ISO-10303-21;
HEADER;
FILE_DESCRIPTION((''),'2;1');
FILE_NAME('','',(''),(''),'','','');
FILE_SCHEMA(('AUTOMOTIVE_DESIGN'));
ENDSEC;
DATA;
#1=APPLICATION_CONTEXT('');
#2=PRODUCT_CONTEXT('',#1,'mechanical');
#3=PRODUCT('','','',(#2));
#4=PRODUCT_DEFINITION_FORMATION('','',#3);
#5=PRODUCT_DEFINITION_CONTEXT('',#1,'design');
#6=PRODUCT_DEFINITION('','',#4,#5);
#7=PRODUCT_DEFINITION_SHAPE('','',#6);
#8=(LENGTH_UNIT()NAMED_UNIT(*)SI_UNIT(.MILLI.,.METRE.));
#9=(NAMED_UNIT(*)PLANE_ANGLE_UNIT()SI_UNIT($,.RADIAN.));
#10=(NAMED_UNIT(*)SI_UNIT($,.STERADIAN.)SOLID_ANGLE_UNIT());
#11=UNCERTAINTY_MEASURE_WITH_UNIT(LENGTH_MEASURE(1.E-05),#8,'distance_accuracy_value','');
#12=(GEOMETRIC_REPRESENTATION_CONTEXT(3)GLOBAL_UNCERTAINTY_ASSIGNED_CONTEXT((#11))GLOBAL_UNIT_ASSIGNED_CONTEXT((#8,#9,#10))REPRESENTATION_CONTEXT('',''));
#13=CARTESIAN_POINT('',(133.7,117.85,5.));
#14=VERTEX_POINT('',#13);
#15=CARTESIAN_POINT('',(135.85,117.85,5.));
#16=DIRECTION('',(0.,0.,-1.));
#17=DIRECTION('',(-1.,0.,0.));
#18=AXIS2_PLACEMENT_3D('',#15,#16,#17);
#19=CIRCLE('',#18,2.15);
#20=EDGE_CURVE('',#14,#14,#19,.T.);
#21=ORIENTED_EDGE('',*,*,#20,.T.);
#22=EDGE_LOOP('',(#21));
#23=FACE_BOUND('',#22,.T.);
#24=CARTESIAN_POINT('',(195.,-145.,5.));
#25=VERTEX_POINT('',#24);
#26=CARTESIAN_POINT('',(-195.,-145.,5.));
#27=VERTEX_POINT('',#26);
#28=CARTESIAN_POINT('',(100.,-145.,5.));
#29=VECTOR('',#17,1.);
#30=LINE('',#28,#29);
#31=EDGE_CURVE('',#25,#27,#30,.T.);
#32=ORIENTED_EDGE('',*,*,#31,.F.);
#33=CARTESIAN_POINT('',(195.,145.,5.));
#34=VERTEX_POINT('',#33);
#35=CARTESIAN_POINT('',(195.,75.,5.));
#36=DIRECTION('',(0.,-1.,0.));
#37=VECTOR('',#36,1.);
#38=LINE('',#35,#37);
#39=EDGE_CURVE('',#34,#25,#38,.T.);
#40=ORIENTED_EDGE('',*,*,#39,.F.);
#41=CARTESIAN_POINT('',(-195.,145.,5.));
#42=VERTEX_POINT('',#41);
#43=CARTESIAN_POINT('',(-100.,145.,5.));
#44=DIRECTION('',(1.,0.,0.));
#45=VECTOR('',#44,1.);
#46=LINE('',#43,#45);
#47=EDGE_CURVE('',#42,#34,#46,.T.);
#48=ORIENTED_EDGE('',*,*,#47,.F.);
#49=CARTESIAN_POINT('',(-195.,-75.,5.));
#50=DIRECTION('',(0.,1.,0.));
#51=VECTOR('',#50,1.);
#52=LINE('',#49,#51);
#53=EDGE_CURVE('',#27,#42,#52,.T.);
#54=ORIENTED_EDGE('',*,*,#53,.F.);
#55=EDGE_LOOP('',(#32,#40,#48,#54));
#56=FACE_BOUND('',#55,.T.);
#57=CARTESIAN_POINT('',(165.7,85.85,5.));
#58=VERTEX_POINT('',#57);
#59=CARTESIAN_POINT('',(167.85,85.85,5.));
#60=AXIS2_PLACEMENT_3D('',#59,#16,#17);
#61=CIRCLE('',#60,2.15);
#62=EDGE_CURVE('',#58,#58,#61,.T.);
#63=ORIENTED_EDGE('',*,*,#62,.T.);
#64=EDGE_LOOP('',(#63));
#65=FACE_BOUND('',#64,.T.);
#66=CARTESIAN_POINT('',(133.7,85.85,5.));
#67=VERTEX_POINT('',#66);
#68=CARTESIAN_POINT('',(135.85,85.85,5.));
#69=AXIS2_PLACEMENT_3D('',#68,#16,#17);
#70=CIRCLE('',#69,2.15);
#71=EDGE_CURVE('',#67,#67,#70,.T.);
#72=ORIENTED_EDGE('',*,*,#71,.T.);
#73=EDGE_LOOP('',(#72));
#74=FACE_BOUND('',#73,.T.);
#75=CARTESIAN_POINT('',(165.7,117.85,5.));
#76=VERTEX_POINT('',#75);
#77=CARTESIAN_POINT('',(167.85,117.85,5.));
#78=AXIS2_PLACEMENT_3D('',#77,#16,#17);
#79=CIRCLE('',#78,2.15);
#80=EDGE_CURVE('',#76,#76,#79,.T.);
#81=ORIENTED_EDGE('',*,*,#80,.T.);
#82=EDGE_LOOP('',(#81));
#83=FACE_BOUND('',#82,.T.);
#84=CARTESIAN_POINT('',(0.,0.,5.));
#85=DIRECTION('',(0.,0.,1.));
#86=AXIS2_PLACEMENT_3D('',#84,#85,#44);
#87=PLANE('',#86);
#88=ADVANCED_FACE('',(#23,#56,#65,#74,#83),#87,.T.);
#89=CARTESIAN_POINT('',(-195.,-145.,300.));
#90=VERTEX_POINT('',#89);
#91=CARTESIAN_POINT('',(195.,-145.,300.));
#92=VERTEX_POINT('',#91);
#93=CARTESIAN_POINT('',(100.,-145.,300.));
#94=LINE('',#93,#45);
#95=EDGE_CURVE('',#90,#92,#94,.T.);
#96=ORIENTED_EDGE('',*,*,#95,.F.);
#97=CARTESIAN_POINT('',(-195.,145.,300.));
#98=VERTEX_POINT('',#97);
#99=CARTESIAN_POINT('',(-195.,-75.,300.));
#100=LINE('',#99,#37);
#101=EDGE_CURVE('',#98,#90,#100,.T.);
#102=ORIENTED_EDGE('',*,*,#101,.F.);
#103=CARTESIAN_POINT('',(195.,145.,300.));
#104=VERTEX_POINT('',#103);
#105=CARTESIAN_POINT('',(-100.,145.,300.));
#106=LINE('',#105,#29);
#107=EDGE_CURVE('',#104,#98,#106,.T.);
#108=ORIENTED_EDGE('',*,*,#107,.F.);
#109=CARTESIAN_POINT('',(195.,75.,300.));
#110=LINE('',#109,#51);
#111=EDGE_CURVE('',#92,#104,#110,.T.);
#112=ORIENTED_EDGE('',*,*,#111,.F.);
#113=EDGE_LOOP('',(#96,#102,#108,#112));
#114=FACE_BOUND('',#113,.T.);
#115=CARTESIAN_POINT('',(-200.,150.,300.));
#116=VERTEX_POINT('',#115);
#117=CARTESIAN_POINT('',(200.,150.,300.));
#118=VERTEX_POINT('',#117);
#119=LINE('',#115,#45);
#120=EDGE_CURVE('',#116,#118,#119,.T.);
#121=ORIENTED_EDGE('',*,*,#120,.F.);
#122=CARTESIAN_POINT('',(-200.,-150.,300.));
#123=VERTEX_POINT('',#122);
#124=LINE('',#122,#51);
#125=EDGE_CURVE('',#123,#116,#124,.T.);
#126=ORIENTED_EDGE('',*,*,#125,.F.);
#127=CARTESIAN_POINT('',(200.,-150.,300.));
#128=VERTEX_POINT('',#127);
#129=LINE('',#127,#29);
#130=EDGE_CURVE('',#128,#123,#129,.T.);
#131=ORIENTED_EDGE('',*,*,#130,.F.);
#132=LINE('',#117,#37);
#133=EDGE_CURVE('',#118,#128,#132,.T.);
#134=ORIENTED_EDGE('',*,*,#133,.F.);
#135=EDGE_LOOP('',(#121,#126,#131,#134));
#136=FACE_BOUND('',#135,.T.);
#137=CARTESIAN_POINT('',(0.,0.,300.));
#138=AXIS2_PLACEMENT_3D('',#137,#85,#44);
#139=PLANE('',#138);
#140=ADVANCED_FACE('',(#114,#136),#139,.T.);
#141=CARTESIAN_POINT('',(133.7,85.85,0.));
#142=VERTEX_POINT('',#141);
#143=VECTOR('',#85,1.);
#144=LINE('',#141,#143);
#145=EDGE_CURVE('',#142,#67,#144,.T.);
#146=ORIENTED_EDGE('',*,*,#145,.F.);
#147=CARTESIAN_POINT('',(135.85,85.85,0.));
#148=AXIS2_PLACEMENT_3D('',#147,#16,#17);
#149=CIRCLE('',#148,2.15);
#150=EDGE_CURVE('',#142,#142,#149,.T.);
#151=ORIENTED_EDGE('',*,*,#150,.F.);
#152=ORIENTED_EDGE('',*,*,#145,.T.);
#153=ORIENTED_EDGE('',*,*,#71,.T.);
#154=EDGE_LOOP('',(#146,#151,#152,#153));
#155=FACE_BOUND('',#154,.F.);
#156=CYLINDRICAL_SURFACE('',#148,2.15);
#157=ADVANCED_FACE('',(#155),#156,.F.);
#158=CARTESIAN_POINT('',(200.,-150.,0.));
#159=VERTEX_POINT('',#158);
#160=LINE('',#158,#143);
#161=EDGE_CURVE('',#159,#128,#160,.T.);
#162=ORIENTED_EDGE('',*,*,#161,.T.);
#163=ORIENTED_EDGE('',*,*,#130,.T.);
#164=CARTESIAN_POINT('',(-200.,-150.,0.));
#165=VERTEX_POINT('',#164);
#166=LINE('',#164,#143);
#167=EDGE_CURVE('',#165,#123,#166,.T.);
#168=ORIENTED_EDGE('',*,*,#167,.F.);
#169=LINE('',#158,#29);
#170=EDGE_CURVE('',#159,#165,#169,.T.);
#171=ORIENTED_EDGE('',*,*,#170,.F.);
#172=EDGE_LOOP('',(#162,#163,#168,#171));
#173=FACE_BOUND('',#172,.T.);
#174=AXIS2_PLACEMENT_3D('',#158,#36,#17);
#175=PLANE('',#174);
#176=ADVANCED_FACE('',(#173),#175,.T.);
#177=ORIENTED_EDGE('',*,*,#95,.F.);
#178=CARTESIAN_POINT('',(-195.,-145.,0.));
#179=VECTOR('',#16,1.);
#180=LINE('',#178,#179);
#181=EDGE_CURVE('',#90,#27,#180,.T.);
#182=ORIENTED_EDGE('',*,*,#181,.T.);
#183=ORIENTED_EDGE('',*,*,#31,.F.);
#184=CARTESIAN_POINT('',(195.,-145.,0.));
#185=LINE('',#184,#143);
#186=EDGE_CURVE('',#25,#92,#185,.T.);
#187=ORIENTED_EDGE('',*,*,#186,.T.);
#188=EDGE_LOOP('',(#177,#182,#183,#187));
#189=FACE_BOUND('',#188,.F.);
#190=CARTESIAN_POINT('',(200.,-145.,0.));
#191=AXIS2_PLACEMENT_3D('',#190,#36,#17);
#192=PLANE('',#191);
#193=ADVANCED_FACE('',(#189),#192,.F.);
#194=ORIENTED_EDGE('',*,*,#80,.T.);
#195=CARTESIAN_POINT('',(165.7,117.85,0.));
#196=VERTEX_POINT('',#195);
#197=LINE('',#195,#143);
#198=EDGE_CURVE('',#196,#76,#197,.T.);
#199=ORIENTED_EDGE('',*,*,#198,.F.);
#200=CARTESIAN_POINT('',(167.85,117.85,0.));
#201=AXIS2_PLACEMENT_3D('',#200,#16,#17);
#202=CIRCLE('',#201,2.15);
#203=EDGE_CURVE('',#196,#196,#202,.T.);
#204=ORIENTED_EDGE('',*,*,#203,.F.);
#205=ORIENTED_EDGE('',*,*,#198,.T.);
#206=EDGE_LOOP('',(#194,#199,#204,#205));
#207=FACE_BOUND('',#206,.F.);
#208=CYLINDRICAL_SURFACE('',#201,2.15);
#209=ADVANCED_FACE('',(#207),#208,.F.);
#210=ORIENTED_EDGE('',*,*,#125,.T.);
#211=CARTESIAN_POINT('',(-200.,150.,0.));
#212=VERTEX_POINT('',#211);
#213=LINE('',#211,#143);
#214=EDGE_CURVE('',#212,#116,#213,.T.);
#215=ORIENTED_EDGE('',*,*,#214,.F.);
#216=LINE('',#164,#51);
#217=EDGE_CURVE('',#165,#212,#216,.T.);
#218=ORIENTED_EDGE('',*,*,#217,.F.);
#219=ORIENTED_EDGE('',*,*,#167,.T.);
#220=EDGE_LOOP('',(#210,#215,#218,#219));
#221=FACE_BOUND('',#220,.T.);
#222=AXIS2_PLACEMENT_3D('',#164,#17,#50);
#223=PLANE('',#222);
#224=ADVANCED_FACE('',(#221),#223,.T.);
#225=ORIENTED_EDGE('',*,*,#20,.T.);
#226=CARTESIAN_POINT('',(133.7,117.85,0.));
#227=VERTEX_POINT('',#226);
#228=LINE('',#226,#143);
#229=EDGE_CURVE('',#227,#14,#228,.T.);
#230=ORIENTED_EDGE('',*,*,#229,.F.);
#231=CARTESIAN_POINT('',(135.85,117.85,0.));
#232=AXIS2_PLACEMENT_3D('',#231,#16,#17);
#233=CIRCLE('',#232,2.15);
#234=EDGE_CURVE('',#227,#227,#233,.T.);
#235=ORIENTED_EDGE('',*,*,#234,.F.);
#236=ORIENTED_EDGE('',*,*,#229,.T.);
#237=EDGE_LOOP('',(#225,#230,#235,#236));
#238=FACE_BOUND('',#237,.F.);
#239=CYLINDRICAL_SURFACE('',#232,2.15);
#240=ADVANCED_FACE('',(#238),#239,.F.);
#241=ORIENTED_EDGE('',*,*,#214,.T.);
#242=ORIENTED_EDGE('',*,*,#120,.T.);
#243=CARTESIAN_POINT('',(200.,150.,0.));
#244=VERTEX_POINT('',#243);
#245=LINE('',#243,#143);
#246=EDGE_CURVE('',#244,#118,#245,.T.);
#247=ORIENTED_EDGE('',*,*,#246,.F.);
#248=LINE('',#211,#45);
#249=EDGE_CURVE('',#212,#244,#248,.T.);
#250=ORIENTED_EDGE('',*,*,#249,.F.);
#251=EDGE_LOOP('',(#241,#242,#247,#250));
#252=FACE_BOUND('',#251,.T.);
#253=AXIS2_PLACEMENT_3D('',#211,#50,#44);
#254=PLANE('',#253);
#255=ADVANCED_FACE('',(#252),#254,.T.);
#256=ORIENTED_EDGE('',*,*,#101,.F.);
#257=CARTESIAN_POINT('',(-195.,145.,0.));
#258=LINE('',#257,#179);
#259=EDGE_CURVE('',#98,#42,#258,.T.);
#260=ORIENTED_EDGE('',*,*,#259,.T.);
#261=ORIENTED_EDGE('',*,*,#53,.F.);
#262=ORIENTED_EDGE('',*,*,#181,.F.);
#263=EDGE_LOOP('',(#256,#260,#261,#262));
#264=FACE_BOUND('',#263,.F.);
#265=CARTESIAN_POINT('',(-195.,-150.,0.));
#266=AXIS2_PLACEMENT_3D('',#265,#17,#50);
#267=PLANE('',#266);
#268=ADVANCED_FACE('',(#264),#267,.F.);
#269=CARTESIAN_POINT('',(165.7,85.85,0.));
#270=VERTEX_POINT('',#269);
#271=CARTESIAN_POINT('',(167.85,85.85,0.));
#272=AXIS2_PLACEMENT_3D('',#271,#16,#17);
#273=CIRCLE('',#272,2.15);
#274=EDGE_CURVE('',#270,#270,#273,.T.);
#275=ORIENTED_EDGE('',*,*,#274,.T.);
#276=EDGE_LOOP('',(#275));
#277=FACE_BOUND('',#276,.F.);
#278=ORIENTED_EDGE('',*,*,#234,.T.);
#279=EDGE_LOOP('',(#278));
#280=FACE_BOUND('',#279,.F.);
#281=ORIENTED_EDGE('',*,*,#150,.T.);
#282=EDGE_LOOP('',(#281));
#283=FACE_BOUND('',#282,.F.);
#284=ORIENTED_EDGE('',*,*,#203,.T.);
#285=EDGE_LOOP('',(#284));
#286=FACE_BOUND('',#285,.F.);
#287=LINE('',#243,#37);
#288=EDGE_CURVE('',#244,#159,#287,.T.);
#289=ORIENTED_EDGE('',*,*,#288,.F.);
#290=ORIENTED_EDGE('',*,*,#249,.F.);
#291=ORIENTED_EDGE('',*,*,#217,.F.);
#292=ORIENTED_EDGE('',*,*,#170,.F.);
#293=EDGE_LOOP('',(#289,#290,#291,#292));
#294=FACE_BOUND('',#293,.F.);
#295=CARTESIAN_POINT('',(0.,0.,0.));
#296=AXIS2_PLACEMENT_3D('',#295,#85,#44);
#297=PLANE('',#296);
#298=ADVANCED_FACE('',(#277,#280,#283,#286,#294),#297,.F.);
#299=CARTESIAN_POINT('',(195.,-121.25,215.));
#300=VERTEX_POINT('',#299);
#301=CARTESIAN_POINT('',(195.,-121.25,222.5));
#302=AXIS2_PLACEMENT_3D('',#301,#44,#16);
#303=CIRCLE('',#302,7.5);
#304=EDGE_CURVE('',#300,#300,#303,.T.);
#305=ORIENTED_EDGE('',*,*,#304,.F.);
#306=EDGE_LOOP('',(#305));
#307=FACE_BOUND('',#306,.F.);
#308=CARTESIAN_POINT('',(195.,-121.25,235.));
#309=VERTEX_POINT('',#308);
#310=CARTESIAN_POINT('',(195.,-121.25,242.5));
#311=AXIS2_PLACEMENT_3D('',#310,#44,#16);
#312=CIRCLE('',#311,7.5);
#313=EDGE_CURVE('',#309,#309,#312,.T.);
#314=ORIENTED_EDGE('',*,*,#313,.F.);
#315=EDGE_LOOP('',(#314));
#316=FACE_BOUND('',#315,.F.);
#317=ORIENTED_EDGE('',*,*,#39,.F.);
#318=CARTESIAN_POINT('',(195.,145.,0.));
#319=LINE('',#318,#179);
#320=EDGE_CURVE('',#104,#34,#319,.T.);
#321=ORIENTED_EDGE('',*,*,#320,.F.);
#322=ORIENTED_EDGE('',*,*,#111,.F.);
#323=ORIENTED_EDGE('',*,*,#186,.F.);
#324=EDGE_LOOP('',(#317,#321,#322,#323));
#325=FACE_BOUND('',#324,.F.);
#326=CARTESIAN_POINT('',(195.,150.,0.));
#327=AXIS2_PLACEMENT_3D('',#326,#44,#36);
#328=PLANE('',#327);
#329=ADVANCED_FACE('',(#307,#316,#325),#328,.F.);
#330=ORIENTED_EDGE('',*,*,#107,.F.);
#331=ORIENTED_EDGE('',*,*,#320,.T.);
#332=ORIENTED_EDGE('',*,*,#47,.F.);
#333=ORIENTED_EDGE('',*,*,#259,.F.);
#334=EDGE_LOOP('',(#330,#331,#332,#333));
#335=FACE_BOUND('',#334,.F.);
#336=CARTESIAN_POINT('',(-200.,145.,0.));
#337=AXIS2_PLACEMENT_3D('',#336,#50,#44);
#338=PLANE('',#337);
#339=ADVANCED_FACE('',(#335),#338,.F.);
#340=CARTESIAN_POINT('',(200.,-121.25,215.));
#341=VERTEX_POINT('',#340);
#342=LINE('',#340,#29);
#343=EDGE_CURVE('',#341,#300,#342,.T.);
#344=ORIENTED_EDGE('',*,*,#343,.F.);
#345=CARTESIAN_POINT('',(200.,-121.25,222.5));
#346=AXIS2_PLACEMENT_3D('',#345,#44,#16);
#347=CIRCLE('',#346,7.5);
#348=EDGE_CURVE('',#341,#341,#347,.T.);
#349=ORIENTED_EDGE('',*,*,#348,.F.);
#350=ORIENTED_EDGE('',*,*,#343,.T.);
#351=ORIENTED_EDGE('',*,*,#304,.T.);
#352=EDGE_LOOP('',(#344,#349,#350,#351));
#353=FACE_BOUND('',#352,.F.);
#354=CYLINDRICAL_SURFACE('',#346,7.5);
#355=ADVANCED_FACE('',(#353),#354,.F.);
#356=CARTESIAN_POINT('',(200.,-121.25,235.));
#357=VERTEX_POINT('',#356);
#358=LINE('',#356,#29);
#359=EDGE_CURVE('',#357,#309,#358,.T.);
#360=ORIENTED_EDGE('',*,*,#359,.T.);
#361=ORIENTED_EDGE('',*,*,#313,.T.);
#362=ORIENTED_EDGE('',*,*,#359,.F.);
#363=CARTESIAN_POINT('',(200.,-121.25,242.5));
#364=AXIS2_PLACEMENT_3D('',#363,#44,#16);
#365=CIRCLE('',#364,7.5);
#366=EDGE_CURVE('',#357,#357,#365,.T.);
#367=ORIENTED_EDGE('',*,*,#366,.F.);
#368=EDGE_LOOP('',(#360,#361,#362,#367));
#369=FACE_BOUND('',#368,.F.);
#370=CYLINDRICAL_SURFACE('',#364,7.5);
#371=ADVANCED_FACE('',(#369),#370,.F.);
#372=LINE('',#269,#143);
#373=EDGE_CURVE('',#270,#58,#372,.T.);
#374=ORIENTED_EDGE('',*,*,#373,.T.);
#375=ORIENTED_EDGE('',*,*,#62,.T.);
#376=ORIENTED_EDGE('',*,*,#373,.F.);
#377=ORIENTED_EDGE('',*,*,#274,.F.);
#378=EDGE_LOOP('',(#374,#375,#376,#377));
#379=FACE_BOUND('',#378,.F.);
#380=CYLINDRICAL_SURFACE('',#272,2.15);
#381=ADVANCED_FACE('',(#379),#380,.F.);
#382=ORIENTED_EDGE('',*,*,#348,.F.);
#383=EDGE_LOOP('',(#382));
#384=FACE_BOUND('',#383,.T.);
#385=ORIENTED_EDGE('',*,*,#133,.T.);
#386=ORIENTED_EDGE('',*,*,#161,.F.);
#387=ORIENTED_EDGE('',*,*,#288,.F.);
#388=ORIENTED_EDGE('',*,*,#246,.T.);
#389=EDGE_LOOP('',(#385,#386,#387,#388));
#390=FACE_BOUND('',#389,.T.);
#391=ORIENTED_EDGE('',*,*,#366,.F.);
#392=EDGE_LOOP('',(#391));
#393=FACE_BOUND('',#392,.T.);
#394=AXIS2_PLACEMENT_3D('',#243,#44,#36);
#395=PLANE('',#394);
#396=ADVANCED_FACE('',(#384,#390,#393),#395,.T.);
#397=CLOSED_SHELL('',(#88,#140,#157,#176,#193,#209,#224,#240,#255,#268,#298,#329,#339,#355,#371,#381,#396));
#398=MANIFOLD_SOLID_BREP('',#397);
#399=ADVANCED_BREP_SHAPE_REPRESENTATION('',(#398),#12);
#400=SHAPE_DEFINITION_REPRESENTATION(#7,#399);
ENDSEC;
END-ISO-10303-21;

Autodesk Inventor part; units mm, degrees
ref_plane "YZ Plane" through (0, 0, 0) normal (1, 0, 0) x (0, 1, 0)
ref_plane "XZ Plane" through (0, 0, 0) normal (0, 1, 0) x (-1, 0, 0)
ref_plane "XY Plane" through (0, 0, 0) normal (0, 0, 1) x (1, 0, 0)
sketch "Sketch2" plane through (0, 0, 0) normal (0, 0, 1) x (1, 0, 0)
  line L0 (200, -150) -> (-200, -150)
  line L1 (-200, -150) -> (-200, 150)
  line L2 (-200, 150) -> (200, 150)
  line L3 (200, 150) -> (200, -150)
  line L4 (200, -150) -> (-200, 150) construction
  line L5 (-200, -150) -> (200, 150) construction
  point P0 (0, 0)
  dimension "d0" = 400
  dimension "d1" = 300
extrude "Base" add sketch "Sketch2" along normal blind 300
shell "Shell1" thickness 5 removed faces 1 at (66.6667, -50, 300)
sketch "Sketch3" plane through (0, 0, 0) normal (0, 0, -1) x (-1, 0, 0)
  circle A0 centre (-167.85, 85.85) radius 2.15
  line L0 (-200, 150) -> (200, 150) construction
  line L1 (-200, 150) -> (200, 150) construction
  line L2 (200, 150) -> (200, -150) construction
  line L3 (200, -150) -> (-200, -150) construction
  line L4 (-200, -150) -> (-200, 150) construction
  circle A1 centre (-135.85, 85.85) radius 2.15
  circle A2 centre (-167.85, 117.85) radius 2.15
  circle A3 centre (-135.85, 117.85) radius 2.15
  point P0 (0, 0)
  dimension "d5" = 4.3
  dimension "d8" = 32
  dimension "d11" = 32
  dimension "d14" = 32.15
  dimension "d15" = 32.15
extrude "40 mm fan mout holes" cut sketch "Sketch3" against normal up to surface (5 mm away)
sketch "Sketch4" plane through (200, -150, 0) normal (1, 0, 0) x (0, 0, -1)
  circle A0 centre (-242.5, 28.75) radius 7.5
  line L0 (-300, 0) -> (-300, 300) projected
  line L1 (0, 0) -> (-300, 0) projected
  circle A1 centre (-222.5, 28.75) radius 7.5
  point P0 (0, 150)
  dimension "d18" = 15
  dimension "d19" = 57.5
  dimension "d20" = 28.75
  dimension "d23" = 20
extrude "Cable Holes" cut sketch "Sketch4" against normal up to surface (5 mm away)
equation "\"d15\" = d14"
equation "\"d20\" = 0.5 * d19"
properties part number "mouse_SP_box"
